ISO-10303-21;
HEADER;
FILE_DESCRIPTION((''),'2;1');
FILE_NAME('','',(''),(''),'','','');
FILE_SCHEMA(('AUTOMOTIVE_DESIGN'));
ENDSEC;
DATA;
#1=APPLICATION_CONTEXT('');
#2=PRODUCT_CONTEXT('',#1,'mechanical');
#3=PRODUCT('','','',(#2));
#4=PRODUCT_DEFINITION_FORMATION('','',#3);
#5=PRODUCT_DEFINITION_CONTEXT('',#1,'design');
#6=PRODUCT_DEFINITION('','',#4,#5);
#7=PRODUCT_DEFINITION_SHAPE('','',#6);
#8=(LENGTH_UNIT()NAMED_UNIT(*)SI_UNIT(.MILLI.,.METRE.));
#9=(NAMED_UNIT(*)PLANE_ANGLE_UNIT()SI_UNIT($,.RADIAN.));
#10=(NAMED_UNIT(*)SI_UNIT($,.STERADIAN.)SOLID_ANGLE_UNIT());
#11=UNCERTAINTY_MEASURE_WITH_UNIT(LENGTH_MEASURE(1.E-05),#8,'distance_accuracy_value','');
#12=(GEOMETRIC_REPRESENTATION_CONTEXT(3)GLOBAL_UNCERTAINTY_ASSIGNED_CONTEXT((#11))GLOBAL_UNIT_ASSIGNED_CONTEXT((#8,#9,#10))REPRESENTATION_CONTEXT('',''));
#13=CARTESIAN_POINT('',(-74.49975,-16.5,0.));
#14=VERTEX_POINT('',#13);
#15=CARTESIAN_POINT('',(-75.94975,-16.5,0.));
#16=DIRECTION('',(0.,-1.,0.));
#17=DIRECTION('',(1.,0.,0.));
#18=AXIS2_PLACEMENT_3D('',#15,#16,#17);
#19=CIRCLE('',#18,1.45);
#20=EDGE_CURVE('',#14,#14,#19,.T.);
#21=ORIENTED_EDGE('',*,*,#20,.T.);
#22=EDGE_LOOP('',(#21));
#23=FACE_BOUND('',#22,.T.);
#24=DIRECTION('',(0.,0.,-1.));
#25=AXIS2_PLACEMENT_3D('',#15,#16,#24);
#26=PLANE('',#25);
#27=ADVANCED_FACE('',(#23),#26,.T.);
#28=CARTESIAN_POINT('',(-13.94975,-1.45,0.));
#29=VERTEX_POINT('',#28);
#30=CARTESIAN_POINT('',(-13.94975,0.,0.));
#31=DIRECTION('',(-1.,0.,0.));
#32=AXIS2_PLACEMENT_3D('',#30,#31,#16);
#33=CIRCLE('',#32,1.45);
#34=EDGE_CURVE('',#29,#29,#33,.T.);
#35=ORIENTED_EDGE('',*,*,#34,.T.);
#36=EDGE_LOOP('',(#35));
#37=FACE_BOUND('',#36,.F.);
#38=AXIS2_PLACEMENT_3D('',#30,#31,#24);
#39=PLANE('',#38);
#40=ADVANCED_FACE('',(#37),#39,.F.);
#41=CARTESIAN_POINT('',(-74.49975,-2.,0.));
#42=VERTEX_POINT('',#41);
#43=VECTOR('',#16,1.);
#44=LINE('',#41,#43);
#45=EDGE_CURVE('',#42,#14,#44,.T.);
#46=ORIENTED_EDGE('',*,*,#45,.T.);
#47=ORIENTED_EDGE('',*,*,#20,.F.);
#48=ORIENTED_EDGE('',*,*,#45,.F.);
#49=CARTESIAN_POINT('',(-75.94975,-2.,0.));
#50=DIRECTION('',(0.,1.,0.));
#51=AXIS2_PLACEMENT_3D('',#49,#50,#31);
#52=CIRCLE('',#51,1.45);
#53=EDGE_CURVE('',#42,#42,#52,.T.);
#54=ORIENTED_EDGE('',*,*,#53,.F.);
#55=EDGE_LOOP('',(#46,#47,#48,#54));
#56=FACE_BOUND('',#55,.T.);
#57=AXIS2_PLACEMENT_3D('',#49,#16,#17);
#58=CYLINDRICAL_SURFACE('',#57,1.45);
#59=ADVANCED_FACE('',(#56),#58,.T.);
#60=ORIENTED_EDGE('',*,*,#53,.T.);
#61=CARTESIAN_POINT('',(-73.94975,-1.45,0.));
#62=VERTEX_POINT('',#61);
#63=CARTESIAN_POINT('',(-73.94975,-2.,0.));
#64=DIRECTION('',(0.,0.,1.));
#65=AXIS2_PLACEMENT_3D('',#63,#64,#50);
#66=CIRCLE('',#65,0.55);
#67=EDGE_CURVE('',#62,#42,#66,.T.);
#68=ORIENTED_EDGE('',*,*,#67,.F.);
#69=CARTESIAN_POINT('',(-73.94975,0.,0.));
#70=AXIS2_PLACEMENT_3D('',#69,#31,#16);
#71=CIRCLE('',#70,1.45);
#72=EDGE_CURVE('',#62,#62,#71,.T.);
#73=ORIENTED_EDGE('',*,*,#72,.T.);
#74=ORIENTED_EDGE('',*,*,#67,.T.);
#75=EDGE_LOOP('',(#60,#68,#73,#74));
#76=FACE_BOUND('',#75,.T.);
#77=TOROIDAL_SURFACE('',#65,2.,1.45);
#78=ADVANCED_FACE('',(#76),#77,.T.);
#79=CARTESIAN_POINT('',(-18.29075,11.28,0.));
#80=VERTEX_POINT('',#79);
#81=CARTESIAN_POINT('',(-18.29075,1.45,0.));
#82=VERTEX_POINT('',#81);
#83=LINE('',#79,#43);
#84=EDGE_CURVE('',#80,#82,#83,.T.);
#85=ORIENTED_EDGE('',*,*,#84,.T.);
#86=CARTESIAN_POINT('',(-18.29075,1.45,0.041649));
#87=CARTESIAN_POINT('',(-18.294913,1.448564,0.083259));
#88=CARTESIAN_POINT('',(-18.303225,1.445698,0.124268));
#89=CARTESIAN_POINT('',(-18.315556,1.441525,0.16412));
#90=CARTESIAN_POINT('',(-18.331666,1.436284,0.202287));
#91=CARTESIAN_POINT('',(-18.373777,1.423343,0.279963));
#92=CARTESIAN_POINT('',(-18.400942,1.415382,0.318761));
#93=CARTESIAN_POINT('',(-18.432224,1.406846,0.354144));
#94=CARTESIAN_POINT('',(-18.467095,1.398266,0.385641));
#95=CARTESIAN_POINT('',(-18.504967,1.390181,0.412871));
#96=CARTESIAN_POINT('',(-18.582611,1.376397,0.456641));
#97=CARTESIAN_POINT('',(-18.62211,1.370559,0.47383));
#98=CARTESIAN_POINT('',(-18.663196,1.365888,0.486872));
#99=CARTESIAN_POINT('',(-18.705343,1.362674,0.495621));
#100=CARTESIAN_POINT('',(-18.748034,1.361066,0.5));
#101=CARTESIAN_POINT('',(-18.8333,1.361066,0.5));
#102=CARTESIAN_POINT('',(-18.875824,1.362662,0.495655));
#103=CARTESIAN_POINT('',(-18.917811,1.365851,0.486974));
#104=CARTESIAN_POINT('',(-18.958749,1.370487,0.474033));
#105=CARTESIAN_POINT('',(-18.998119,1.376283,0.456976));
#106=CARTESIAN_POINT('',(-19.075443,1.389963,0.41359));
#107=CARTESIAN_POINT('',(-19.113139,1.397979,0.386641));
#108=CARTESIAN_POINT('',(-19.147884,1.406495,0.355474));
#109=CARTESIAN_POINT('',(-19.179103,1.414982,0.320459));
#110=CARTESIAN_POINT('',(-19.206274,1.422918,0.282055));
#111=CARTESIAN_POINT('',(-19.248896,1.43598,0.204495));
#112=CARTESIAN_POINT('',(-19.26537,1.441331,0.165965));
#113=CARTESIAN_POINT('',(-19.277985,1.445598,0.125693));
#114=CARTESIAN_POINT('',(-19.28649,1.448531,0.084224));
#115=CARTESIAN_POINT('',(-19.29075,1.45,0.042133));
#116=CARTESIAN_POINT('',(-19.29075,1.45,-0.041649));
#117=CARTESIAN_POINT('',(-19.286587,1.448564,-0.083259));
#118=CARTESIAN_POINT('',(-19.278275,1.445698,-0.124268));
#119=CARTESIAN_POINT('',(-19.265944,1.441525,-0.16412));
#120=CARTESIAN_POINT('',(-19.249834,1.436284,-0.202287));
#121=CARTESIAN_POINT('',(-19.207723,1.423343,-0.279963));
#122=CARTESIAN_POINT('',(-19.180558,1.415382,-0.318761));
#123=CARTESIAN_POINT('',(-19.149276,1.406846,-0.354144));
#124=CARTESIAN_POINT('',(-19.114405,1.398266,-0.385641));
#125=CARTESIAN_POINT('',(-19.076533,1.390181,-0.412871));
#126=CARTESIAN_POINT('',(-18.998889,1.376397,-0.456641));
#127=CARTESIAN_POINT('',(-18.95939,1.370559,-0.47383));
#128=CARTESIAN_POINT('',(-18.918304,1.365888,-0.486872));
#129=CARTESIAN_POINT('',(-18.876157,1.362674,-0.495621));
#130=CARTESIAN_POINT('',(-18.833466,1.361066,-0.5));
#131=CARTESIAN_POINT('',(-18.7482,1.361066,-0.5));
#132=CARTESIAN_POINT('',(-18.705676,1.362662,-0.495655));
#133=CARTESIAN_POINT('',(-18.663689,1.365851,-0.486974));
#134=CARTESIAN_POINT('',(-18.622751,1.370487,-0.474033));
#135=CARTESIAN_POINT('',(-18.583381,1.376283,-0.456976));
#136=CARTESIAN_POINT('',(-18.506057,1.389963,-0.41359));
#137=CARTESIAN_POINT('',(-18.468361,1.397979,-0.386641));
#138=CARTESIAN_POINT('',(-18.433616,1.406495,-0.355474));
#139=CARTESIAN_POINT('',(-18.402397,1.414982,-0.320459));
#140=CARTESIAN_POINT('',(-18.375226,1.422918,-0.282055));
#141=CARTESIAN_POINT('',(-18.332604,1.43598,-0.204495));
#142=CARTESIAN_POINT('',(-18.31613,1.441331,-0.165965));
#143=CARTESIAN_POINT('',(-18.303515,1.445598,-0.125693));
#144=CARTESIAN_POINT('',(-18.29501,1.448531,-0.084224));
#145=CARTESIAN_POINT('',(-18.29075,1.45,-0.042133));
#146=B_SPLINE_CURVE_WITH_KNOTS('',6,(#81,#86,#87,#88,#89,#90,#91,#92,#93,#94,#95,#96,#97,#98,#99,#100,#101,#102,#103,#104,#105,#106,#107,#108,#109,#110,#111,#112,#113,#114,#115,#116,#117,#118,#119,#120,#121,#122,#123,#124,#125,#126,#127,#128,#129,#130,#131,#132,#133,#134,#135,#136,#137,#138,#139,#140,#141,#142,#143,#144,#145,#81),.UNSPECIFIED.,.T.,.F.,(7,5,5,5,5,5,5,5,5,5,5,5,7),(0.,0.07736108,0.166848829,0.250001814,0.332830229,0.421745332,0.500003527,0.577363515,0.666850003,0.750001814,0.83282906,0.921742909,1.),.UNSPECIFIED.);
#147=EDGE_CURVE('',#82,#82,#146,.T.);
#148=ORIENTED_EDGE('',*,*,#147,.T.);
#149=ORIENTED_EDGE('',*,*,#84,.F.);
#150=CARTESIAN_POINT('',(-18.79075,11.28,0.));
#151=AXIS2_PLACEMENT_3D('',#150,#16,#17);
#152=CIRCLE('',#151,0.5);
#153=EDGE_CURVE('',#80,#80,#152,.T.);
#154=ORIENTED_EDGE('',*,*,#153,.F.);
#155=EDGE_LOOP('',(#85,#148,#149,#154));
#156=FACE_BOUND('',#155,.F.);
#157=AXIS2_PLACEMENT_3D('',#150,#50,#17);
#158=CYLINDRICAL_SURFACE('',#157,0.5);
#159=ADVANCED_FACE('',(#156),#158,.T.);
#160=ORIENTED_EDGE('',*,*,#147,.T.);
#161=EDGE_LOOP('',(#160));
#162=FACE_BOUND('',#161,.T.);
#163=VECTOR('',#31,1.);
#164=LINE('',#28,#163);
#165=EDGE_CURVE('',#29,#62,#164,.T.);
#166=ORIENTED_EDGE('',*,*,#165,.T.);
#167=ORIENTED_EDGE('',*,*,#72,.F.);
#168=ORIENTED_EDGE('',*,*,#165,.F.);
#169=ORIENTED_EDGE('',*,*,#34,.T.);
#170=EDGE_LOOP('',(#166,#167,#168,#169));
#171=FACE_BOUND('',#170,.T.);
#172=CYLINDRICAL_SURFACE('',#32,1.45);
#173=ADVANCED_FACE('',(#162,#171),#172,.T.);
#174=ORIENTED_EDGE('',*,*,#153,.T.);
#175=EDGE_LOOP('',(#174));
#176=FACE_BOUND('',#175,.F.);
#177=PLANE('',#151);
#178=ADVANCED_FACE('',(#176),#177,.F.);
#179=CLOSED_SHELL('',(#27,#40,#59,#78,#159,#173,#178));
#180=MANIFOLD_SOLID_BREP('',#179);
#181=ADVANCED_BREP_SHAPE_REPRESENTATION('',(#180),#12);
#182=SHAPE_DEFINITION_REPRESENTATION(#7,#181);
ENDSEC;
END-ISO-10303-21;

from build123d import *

# Parameters (mm, degrees)
F2_R = 1.45
F5_R = 0.5


with BuildPart() as f3:
    # F3: sweep along a path in F1
    with BuildLine(Plane.XY) as f3_path:
        Line((-13.94975, 0), (-73.94975, 0))
        ThreePointArc((-73.94975, 0), (-75.3639635624, -0.5857864376), (-75.94975, -2))
        Line((-75.94975, -2), (-75.94975, -16.5))
    # F2 (on offset) → F3 (sweep)
    with BuildSketch(Plane.XZ.offset(16.5)):
        with Locations((-75.94975, 0)):
            Circle(F2_R)
    sweep(path=f3_path.line)

    # F5 (on offset) → F6 (join, up to the next surface of F3)
    with BuildSketch(Plane.XZ.offset(-11.28)):
        with Locations((-18.79075, 0)):
            Circle(F5_R)
    extrude(until=Until.NEXT)


solid = f3.part
